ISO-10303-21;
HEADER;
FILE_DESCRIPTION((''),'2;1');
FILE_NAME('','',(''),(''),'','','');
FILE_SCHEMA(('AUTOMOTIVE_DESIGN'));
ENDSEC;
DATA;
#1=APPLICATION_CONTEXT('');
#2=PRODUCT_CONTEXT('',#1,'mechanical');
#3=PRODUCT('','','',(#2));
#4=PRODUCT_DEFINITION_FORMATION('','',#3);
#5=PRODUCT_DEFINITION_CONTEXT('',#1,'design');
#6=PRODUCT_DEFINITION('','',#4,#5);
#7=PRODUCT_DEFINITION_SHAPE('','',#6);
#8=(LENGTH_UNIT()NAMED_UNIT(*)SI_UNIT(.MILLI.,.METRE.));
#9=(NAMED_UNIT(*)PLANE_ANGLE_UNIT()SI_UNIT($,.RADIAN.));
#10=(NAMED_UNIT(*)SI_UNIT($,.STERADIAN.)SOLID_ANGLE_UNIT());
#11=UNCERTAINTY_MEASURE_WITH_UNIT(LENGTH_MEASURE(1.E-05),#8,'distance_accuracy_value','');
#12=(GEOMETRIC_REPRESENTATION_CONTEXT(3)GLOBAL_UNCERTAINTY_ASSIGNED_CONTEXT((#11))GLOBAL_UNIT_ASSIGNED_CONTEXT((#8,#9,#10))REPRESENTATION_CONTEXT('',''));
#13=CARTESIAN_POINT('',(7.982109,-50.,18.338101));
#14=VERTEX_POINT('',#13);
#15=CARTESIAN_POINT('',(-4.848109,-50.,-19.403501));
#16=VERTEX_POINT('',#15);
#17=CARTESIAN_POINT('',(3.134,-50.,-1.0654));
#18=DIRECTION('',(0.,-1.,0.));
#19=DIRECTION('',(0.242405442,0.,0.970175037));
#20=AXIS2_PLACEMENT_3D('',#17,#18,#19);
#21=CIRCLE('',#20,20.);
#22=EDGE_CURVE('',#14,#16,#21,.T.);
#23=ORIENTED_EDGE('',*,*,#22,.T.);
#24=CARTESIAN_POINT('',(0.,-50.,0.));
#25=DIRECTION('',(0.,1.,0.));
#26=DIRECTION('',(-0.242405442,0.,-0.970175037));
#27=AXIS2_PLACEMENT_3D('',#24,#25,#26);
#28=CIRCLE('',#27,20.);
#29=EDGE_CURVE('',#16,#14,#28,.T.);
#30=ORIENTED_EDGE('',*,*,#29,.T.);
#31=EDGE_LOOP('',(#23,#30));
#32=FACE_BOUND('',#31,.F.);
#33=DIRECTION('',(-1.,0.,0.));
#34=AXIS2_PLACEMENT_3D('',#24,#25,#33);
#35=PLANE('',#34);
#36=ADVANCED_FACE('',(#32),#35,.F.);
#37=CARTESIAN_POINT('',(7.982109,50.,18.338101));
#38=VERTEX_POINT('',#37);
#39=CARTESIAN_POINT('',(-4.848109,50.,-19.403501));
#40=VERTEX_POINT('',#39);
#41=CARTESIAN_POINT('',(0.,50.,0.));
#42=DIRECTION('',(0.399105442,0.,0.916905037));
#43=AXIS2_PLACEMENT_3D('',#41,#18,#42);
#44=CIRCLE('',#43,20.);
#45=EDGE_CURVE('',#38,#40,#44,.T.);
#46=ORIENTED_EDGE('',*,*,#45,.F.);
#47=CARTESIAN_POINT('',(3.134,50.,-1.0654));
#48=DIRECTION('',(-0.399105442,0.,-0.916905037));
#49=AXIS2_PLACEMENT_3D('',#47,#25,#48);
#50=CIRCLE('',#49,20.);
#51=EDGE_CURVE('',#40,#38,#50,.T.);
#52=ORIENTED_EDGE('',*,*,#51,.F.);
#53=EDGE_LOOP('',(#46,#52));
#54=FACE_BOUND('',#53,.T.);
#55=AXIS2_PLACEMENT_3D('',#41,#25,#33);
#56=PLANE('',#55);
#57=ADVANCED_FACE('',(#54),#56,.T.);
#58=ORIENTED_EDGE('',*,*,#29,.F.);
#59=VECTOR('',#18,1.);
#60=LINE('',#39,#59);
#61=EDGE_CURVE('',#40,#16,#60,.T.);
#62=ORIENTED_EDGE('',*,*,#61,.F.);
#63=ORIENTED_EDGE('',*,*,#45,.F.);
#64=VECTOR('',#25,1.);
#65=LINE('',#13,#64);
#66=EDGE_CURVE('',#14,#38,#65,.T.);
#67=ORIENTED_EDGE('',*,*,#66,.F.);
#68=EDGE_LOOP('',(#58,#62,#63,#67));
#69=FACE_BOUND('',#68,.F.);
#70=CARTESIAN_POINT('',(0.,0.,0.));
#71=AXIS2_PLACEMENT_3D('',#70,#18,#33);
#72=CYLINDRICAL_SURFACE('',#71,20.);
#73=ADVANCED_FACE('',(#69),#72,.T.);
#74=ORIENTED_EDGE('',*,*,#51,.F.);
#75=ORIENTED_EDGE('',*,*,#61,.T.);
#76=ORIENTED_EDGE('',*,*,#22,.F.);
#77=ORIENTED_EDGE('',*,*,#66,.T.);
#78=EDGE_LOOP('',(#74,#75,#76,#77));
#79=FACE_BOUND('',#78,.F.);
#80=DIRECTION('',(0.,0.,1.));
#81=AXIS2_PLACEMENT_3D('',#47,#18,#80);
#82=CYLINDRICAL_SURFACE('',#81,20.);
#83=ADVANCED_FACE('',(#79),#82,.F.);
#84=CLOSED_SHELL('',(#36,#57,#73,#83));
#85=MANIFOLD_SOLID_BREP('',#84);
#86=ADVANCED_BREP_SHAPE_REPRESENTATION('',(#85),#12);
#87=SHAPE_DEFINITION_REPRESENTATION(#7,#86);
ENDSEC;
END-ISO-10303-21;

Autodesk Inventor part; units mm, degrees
ref_plane "YZ Plane" through (0, 0, 0) normal (1, 0, 0) x (0, 1, 0)
ref_plane "XZ Plane" through (0, 0, 0) normal (0, 1, 0) x (-1, 0, 0)
ref_plane "XY Plane" through (0, 0, 0) normal (0, 0, 1) x (1, 0, 0)
sketch "Sketch1" plane through (0, 0, 0) normal (0, 1, 0) x (-1, 0, 0)
  circle A0 centre (0, 0) radius 20
  dimension "d0" = 40
extrude "Extrusion1" add sketch "Sketch1" along normal mid plane 100
sketch "Sketch2" plane through (0, 50, 0) normal (0, 1, 0) x (1, 0, 0)
  point P0 (0, 0)
  point P1 (3.134, 1.0654)
hole "Hole1" at (3.134, 50, -1.0654) direction (0, -1, 0) diameter 40 depth 100
properties part number "slide"
